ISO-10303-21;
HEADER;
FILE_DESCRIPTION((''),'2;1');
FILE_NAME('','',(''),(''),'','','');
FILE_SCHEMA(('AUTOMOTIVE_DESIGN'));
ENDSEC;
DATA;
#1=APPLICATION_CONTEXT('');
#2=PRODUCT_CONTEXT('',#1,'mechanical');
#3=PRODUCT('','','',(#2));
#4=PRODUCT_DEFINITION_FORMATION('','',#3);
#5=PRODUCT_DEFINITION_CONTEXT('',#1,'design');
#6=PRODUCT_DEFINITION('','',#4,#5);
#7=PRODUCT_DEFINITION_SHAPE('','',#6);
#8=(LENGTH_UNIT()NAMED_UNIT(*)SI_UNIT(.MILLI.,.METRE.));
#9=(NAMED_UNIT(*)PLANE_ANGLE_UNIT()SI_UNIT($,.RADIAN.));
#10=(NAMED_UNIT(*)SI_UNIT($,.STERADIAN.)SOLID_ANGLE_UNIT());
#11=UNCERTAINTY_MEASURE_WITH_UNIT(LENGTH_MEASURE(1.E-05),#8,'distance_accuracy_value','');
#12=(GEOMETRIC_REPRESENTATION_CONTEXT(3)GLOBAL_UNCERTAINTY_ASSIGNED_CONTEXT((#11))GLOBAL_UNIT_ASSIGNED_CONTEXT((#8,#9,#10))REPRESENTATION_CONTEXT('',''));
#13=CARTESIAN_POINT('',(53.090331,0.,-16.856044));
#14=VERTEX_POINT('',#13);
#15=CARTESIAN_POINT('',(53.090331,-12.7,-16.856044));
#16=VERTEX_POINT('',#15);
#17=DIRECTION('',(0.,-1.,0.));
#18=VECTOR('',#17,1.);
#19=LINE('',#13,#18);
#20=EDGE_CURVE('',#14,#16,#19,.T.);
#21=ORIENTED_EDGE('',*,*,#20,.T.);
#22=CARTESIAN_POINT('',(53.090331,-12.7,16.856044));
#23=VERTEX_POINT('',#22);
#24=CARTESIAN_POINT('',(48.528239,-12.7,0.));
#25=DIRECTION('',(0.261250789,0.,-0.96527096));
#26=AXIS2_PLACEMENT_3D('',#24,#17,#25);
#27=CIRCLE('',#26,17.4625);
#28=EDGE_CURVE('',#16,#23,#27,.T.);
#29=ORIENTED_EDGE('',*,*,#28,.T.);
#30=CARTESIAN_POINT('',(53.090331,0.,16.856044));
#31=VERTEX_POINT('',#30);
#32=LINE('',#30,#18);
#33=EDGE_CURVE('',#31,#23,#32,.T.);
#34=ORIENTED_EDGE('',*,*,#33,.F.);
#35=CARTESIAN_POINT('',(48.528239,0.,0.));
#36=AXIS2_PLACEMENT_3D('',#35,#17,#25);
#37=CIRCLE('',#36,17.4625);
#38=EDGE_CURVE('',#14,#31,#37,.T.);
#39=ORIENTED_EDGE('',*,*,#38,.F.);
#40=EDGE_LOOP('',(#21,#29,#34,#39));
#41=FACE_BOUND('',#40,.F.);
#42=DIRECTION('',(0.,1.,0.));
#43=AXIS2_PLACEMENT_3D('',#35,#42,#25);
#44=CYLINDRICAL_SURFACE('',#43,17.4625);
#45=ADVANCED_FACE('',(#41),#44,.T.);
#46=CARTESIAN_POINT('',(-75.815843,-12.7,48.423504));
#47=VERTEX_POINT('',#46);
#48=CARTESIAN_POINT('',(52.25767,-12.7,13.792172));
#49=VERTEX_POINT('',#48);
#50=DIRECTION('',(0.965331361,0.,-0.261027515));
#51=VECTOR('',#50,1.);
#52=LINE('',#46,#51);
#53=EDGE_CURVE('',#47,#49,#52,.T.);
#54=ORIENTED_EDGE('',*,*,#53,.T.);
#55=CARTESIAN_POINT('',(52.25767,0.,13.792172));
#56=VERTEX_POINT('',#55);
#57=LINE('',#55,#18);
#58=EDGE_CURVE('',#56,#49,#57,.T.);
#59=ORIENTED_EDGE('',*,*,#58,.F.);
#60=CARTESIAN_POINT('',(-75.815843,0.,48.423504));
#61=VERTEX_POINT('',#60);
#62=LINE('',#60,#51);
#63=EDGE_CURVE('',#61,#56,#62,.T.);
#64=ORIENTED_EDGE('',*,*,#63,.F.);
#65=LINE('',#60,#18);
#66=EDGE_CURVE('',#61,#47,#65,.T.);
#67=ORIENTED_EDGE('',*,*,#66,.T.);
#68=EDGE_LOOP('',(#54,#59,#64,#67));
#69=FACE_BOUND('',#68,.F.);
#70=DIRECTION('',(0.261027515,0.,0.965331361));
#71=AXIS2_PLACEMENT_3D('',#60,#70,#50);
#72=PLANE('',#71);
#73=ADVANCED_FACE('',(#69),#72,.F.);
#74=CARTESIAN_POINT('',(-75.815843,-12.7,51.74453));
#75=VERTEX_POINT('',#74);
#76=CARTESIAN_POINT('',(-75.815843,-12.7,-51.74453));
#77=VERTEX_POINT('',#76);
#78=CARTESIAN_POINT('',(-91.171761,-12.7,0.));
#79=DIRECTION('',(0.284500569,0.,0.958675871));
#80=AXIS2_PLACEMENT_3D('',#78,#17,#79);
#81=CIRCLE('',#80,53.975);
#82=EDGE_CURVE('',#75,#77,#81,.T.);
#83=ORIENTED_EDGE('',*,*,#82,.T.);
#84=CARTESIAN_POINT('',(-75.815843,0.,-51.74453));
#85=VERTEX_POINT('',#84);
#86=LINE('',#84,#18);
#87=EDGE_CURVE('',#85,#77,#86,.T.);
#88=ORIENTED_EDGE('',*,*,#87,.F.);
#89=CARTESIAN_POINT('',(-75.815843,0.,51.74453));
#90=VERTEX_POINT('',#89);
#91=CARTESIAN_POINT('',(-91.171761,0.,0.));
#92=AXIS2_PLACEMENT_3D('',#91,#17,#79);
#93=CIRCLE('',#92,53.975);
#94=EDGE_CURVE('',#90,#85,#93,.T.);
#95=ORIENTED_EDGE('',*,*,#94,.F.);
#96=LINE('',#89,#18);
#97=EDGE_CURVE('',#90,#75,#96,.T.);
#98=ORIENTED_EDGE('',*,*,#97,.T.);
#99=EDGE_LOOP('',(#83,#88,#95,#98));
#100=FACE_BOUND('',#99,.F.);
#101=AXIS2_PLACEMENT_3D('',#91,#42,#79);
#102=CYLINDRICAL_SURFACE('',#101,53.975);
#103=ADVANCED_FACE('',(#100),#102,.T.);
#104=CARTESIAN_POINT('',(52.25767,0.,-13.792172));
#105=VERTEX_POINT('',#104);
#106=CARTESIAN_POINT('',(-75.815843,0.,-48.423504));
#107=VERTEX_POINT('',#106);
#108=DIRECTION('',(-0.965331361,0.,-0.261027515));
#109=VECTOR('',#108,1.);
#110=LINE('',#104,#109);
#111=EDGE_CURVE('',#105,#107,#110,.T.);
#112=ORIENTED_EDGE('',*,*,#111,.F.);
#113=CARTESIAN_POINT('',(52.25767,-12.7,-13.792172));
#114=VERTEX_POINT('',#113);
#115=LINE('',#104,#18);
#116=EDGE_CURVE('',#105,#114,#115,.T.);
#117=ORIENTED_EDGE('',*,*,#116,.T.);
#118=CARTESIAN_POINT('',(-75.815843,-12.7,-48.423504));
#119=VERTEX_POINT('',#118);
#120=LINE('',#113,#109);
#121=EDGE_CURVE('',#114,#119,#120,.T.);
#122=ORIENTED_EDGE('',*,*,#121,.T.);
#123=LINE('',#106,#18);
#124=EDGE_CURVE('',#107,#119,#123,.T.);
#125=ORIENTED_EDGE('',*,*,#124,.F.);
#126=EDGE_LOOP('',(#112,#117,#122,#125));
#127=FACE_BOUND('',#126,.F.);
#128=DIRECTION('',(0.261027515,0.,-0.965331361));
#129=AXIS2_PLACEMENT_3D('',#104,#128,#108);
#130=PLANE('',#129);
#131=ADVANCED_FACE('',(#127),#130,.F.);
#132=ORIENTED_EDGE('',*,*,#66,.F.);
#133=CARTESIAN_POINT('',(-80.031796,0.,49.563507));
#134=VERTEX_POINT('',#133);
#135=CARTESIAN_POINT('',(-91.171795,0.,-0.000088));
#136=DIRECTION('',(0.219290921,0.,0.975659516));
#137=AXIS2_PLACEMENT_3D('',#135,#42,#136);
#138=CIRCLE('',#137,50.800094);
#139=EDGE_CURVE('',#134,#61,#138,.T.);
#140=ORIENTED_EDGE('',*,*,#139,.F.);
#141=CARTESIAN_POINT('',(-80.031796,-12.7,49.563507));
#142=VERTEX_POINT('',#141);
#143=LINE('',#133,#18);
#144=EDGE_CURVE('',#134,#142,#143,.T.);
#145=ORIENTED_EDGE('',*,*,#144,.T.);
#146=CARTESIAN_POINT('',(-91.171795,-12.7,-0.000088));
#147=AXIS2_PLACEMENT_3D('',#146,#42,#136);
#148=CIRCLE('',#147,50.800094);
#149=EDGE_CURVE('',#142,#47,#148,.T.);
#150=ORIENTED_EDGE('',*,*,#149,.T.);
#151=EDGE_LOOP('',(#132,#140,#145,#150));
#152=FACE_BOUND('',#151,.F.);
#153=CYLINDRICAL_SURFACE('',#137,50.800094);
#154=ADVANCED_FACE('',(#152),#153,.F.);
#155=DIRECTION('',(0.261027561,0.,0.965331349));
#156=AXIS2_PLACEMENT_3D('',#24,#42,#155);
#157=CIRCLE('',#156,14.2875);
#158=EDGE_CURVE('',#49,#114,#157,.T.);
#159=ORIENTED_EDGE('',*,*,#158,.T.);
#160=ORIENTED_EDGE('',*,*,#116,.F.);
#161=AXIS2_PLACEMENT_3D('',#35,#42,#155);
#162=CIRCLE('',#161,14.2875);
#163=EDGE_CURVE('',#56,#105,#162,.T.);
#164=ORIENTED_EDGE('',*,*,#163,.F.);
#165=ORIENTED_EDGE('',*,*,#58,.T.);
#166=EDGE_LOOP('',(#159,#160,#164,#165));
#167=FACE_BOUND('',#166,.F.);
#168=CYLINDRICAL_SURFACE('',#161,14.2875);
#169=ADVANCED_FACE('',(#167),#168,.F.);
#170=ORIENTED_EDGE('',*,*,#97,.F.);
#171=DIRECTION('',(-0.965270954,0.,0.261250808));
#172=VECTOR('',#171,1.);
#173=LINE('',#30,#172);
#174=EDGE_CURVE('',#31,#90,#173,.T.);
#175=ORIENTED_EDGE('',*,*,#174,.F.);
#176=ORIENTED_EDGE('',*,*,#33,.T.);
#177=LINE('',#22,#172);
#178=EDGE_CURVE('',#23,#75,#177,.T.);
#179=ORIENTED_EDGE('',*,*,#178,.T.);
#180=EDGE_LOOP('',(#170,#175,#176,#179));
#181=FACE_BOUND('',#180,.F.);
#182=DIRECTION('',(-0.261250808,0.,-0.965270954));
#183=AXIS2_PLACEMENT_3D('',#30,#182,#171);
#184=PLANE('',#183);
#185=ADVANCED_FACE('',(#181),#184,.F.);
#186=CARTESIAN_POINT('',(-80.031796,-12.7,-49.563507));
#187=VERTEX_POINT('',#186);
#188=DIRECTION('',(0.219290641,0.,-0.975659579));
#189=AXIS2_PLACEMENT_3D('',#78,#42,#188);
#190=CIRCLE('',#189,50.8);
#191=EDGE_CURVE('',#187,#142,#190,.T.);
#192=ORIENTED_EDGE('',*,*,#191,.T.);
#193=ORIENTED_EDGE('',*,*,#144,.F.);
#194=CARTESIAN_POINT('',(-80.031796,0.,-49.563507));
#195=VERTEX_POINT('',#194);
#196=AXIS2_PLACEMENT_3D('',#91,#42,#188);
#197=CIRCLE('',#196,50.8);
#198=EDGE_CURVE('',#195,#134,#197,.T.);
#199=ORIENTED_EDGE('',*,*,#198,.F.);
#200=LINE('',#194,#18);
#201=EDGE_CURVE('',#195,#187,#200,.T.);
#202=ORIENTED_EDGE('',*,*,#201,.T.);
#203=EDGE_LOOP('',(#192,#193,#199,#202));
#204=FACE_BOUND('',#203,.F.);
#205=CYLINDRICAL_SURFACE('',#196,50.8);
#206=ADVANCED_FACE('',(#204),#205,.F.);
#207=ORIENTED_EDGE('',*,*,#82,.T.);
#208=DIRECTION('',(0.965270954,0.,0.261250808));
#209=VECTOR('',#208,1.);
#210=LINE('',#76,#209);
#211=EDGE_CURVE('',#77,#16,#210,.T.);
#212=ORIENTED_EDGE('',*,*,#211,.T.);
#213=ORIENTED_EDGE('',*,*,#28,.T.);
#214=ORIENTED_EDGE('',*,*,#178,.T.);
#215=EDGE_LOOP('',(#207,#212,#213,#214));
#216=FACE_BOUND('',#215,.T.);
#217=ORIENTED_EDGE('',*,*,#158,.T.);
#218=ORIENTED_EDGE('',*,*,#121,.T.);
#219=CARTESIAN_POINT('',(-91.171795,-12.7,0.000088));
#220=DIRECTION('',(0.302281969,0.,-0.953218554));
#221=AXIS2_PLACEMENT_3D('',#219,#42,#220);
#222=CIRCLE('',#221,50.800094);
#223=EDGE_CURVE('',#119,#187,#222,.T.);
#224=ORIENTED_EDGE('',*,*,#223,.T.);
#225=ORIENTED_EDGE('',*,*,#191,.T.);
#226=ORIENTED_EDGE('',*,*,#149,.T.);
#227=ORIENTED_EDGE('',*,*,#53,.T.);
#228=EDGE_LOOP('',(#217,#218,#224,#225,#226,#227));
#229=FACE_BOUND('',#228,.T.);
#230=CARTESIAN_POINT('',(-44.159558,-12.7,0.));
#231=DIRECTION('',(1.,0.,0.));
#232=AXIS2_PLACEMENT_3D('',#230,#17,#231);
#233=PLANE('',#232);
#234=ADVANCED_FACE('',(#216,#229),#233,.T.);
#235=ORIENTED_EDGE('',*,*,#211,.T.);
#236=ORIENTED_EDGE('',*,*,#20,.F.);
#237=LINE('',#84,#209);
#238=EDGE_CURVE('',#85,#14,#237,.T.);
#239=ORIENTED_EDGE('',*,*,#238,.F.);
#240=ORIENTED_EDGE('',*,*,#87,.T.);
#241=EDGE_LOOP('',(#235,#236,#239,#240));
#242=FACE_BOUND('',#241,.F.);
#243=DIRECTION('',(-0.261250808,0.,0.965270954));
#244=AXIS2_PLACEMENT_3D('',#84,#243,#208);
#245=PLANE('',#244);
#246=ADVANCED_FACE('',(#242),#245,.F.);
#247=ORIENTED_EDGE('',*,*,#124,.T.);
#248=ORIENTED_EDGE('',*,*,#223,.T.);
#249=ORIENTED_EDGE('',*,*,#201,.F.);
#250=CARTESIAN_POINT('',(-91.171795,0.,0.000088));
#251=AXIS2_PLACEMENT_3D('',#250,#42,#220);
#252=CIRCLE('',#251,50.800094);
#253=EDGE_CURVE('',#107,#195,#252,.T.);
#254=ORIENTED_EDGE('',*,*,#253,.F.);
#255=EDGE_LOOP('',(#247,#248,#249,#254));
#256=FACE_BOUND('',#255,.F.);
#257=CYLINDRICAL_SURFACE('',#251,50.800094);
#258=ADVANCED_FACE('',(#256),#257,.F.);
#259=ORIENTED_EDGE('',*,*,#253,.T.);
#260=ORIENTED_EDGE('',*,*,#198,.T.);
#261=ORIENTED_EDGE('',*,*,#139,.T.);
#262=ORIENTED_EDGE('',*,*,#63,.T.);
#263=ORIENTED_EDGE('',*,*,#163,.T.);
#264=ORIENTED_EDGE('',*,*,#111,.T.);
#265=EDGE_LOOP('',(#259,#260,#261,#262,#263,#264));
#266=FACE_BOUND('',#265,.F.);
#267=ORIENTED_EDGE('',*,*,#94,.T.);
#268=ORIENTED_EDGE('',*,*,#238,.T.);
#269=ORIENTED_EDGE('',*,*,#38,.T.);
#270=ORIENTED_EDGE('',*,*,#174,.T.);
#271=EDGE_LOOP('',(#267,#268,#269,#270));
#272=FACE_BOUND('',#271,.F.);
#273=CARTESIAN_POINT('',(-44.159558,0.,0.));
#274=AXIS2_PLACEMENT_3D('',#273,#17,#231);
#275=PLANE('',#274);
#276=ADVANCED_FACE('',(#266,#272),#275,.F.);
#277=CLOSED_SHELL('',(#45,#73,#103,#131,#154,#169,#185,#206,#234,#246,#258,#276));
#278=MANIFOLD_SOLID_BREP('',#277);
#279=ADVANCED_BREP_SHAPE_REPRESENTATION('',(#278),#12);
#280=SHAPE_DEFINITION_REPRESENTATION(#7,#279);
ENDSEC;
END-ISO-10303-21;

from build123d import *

# Parameters (mm, degrees)
F1_DEPTH = 12.7


with BuildPart() as f1:
    # F0 (on Front) → F1 (new body)
    with BuildSketch(Plane.XZ):
        with BuildLine():
            Line((53.090331, 16.856044), (-75.815843, 51.74453))
            ThreePointArc((-75.815843, 51.74453), (-145.146761, 0), (-75.815843, -51.74453))
            Line((-75.815843, -51.74453), (53.090331, -16.856044))
            ThreePointArc((53.090331, -16.856044), (65.990739, 0), (53.090331, 16.856044))
        make_face()
        with BuildLine():
            ThreePointArc((-80.031796, 49.563507), (-77.911563, 49.038833), (-75.815843, 48.423504))
            Line((-75.815843, 48.423504), (52.25767, 13.792172))
            ThreePointArc((52.25767, 13.792172), (62.815739, 0), (52.25767, -13.792172))
            Line((52.25767, -13.792172), (-75.815843, -48.423504))
            ThreePointArc((-75.815843, -48.423504), (-77.911563, -49.038833), (-80.031796, -49.563507))
            ThreePointArc((-80.031796, -49.563507), (-141.971761, 0), (-80.031796, 49.563507))
        make_face(mode=Mode.SUBTRACT)
    extrude(amount=F1_DEPTH)


solid = f1.part
